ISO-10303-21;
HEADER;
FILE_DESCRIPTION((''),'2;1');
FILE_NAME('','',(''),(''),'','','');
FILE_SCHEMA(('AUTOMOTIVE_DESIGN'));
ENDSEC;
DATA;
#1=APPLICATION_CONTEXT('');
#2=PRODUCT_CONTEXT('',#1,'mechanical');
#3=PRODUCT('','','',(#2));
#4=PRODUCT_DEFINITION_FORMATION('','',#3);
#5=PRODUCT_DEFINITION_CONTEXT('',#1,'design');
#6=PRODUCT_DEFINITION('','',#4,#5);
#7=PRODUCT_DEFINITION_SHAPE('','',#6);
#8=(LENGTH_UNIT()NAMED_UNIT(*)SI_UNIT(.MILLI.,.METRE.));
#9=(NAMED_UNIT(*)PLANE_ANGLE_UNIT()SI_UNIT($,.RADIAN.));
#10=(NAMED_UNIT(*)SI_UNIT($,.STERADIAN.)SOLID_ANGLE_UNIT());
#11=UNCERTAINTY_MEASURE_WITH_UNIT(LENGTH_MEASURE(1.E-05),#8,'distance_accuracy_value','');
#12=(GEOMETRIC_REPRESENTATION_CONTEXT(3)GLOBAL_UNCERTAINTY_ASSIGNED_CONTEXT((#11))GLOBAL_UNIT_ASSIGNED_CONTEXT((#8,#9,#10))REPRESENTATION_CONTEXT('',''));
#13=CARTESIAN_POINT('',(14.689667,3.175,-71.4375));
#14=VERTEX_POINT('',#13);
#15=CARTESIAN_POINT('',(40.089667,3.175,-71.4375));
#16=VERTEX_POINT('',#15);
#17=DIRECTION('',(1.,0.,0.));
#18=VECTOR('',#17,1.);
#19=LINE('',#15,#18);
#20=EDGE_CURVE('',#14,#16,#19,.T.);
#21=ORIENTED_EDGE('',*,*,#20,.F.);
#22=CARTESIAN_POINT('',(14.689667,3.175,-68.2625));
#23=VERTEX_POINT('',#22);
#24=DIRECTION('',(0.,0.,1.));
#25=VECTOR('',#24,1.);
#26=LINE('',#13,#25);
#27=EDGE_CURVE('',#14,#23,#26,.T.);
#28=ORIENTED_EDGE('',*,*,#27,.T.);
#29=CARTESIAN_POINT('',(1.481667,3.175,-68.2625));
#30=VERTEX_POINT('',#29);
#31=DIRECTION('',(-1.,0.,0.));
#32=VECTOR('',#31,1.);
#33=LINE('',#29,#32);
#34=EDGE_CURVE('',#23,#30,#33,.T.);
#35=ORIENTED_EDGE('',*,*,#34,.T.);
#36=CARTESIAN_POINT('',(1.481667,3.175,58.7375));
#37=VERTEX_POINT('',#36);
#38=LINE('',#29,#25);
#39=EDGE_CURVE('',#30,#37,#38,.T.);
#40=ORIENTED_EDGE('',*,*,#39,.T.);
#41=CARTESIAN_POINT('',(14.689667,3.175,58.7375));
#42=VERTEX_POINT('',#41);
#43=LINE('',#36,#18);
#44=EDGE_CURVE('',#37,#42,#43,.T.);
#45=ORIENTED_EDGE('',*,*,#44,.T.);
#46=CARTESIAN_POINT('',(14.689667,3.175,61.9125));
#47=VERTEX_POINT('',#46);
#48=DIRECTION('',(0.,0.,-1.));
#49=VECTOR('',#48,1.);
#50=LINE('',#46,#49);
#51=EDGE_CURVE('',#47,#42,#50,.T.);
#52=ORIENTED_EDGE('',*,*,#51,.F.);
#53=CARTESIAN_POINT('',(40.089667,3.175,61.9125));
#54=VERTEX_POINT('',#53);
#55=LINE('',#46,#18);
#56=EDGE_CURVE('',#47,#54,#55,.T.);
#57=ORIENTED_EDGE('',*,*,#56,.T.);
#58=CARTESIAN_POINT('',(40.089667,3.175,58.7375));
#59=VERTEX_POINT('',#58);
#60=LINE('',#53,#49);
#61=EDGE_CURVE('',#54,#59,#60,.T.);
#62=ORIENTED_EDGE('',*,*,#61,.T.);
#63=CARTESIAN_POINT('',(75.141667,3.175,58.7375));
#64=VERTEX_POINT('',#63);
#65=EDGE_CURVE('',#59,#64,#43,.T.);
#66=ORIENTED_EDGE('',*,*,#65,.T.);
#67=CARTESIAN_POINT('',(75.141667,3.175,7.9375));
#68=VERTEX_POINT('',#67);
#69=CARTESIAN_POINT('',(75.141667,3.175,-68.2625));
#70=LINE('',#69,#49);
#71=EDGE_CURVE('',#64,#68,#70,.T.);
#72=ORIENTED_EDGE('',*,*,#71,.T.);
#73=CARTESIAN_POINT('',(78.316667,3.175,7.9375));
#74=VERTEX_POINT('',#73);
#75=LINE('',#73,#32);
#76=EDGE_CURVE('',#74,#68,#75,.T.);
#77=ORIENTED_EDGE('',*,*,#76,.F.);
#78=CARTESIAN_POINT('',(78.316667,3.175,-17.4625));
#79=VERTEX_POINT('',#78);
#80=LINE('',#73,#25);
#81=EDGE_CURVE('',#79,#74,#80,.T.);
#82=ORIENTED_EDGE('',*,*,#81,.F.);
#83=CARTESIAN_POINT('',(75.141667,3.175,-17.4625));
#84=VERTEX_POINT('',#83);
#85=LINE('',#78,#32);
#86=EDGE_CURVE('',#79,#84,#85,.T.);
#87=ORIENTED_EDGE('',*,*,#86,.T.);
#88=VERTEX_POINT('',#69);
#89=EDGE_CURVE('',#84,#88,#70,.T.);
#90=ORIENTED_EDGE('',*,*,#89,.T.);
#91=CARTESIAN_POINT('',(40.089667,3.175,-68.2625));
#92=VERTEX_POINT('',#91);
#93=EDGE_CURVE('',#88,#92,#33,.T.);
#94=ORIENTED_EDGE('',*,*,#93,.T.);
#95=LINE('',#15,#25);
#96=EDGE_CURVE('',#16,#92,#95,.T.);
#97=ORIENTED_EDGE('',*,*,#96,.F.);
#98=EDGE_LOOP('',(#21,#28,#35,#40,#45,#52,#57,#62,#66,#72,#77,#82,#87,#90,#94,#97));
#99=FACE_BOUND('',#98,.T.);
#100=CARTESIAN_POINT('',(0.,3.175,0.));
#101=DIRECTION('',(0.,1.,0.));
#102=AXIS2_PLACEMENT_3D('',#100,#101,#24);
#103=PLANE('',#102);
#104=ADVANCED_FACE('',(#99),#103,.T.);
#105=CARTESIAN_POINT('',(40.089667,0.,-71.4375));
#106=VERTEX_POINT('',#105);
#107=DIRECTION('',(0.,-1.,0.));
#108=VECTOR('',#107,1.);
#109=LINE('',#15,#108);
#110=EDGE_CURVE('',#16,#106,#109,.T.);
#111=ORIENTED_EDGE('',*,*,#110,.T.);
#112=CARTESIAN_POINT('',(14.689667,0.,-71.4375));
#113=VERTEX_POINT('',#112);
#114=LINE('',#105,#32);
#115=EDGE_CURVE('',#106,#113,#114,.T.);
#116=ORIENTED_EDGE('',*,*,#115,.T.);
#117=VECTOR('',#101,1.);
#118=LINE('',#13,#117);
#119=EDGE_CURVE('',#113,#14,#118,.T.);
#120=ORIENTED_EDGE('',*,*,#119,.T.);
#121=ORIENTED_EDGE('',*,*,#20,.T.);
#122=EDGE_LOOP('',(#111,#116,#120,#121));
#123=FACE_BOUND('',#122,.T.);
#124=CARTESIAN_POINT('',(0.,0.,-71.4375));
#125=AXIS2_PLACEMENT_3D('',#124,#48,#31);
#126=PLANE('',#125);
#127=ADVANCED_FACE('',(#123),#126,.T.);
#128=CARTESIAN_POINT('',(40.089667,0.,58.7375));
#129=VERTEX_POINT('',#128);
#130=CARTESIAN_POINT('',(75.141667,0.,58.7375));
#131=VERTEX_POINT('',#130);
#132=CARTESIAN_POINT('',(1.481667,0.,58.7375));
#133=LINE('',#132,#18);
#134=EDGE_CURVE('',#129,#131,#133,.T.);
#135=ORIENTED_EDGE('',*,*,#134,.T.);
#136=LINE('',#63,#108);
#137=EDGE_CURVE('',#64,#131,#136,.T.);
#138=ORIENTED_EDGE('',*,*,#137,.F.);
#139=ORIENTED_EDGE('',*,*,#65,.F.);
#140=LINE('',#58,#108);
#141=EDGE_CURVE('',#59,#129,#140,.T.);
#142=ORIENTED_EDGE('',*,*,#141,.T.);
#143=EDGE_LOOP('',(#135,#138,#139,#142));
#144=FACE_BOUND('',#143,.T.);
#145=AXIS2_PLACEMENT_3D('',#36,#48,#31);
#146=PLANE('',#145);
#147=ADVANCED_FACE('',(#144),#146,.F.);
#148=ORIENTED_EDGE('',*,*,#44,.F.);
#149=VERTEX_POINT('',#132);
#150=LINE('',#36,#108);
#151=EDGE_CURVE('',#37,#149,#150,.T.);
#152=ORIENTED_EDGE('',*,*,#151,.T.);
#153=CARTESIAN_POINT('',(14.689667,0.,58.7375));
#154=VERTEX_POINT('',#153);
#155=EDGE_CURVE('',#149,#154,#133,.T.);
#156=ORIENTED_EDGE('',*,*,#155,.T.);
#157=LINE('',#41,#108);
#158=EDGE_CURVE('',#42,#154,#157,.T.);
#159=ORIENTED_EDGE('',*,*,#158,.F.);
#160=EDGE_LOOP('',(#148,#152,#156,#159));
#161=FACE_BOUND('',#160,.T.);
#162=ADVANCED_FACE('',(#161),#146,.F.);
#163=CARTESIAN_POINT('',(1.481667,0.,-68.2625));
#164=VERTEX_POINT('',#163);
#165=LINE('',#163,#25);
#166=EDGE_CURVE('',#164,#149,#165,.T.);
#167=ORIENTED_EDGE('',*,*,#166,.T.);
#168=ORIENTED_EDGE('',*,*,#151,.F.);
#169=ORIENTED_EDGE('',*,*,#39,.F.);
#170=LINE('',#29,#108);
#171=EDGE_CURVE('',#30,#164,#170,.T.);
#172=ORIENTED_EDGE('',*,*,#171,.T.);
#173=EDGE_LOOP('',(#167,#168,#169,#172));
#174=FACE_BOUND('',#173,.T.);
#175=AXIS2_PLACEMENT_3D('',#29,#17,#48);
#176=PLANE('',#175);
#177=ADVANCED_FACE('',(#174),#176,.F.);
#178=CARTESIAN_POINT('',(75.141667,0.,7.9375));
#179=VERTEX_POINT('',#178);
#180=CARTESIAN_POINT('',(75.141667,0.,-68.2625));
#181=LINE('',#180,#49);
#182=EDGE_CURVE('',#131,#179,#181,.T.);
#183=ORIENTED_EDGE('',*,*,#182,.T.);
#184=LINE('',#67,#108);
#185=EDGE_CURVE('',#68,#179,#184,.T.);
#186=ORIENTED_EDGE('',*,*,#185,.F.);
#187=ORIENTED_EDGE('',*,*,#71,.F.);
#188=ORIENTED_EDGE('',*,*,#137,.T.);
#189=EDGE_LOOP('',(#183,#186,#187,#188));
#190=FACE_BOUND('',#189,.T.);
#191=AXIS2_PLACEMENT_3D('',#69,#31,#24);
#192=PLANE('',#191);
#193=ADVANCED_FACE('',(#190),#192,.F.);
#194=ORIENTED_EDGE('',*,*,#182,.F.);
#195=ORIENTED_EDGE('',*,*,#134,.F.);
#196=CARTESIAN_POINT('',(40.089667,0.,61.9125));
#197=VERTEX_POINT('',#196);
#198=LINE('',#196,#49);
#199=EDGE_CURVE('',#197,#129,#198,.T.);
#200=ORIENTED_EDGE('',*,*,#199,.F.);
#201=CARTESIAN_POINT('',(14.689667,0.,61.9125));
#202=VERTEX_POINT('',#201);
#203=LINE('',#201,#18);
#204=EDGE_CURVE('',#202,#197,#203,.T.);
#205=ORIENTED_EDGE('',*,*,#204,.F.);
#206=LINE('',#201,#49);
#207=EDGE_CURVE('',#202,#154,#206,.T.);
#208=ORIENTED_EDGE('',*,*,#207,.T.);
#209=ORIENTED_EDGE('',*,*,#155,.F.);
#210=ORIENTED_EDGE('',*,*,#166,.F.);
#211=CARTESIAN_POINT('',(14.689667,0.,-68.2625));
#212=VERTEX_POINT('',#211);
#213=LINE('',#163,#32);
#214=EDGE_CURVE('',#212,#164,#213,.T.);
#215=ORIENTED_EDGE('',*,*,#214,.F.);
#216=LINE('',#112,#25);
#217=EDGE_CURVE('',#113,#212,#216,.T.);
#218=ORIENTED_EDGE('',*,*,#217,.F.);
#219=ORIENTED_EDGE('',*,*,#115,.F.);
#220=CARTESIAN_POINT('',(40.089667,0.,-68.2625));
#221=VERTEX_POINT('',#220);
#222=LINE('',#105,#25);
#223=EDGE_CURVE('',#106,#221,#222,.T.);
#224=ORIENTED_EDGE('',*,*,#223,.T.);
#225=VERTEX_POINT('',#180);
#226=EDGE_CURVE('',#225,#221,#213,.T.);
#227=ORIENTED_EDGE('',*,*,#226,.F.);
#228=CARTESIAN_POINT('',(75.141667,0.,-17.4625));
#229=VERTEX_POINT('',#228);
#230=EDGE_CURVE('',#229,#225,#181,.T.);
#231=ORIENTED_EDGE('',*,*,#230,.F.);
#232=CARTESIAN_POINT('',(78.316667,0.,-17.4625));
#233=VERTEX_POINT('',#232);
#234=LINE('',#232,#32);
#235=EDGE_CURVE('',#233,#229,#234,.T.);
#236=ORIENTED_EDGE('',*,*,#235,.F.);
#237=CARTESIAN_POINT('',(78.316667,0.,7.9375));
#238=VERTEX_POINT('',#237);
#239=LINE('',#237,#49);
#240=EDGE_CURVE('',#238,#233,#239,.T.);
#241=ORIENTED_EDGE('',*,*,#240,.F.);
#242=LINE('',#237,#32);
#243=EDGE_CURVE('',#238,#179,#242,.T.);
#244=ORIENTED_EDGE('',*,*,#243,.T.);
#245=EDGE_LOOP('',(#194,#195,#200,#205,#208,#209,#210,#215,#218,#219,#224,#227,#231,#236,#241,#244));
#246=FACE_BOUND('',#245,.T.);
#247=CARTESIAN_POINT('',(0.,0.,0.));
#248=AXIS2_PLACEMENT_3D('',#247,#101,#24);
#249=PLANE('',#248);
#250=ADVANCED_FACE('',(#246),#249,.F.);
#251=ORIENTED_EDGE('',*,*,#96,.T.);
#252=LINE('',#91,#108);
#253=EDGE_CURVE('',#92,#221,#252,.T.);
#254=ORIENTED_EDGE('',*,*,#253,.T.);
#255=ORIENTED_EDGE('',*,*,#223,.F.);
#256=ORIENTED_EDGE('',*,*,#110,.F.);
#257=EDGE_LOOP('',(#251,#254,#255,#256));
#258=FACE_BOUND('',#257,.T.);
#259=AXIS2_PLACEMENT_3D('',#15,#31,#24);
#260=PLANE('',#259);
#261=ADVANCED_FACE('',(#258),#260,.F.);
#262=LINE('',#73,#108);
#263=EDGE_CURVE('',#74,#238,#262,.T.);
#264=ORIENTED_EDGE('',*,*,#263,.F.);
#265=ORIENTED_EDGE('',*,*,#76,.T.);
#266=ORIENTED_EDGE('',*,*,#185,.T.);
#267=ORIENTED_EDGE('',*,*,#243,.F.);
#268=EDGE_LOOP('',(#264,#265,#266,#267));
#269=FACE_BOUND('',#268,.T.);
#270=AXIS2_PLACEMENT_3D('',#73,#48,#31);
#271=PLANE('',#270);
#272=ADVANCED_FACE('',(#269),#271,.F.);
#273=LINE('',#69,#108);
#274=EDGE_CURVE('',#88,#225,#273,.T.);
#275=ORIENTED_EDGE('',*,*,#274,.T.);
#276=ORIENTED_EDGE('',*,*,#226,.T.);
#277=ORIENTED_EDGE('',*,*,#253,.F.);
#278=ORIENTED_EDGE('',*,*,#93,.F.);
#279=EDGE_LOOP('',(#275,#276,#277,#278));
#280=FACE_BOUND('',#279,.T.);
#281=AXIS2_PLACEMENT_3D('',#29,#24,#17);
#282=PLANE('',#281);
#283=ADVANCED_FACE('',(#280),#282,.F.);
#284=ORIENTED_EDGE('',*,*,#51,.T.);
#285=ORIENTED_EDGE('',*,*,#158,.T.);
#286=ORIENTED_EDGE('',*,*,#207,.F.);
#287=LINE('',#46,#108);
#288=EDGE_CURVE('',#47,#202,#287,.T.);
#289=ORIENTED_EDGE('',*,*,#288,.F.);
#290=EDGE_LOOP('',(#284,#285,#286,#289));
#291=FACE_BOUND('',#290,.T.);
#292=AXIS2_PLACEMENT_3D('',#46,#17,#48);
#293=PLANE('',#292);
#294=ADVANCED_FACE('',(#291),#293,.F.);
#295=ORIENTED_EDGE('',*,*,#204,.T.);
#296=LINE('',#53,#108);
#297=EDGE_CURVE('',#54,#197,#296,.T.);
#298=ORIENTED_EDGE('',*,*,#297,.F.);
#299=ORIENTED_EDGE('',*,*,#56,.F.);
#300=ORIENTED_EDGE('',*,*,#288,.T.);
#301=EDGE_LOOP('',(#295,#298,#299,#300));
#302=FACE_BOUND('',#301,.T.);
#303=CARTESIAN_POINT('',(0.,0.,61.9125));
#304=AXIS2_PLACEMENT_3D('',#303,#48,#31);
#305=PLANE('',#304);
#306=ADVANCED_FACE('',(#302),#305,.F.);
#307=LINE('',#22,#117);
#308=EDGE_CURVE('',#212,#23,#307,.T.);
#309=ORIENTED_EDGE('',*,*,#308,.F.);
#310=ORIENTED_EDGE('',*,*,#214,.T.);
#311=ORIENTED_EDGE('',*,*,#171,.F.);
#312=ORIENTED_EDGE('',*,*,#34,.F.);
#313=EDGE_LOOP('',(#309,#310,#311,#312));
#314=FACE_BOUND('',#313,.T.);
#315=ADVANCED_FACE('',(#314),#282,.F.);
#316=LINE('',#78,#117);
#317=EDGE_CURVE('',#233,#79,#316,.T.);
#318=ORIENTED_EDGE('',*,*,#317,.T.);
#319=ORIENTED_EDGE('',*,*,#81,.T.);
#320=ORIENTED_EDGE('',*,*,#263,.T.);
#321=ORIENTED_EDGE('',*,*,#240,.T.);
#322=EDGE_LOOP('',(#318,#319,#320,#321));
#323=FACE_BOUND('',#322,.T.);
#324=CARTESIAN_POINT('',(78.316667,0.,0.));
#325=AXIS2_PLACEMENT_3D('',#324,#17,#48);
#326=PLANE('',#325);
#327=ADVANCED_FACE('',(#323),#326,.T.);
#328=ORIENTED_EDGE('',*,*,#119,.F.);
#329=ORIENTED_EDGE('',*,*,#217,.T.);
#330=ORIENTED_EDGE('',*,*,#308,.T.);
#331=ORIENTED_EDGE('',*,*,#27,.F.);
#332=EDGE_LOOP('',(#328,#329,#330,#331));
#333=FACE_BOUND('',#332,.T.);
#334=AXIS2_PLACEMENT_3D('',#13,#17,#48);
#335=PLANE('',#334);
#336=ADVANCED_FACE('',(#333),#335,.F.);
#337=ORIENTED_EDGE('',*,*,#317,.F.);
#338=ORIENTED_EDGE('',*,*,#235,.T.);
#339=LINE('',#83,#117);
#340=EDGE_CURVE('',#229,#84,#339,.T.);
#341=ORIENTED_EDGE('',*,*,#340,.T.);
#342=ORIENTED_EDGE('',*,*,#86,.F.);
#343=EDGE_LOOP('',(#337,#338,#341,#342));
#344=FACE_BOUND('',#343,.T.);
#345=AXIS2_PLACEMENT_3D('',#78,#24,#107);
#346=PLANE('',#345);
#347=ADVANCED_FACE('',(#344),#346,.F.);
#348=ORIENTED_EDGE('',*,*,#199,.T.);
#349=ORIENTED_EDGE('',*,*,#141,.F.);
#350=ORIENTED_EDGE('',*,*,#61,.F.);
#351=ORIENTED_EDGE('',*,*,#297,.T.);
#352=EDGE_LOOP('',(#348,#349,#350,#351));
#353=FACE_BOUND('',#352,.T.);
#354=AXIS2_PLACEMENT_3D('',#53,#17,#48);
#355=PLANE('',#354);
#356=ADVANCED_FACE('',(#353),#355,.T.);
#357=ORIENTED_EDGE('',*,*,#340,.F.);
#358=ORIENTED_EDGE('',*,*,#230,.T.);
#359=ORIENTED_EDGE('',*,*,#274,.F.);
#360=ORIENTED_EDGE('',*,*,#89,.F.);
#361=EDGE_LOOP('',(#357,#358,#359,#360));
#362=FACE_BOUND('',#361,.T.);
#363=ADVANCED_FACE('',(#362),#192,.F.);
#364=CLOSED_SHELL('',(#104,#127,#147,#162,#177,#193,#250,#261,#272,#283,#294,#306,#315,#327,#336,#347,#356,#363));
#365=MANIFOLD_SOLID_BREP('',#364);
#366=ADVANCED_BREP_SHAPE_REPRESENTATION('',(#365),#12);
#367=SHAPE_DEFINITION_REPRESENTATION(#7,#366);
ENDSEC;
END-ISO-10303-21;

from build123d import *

# Parameters (mm, degrees)
SKETCH1_W           = 73.66
SKETCH1_H           = 127
BOSS_EXTRUDE1_DEPTH = 3.175
SKETCH2_W           = 25.4
SKETCH2_H           = 3.175
BOSS_EXTRUDE2_DEPTH = 3.175
SKETCH3_W           = 25.4
SKETCH3_H           = 3.175
BOSS_EXTRUDE3_DEPTH = 3.175
SKETCH5_W           = 25.4
SKETCH5_H           = 3.175
BOSS_EXTRUDE4_DEPTH = 3.175


with BuildPart() as part:
    # Sketch1 → Boss-Extrude1 (new body)
    with BuildSketch(Plane(origin=(0, 0, 0), x_dir=(1, 0, 0), z_dir=(0, 1, 0))):
        with Locations((38.311666667, 4.7625)):
            Rectangle(SKETCH1_W, SKETCH1_H)
    extrude(amount=BOSS_EXTRUDE1_DEPTH)

    # Sketch2 → Boss-Extrude2 (add)
    with BuildSketch(Plane(origin=(75.141666667, 0, 0), x_dir=(0, 0, -1), z_dir=(1, 0, 0))):
        with Locations((4.7625, 1.5875)):
            Rectangle(SKETCH2_W, SKETCH2_H)
    extrude(amount=BOSS_EXTRUDE2_DEPTH)

    # Sketch3 → Boss-Extrude3 (add)
    with BuildSketch(Plane.XY.offset(58.7375)):
        with Locations((27.389666667, 1.5875)):
            Rectangle(SKETCH3_W, SKETCH3_H)
    extrude(amount=BOSS_EXTRUDE3_DEPTH)

    # Sketch5 → Boss-Extrude4 (add)
    with BuildSketch(Plane(origin=(0, 0, -68.2625), x_dir=(-1, 0, 0), z_dir=(0, 0, -1))):
        with Locations((-27.389666667, 1.5875)):
            Rectangle(SKETCH5_W, SKETCH5_H)
    extrude(amount=BOSS_EXTRUDE4_DEPTH)


solid = part.part
